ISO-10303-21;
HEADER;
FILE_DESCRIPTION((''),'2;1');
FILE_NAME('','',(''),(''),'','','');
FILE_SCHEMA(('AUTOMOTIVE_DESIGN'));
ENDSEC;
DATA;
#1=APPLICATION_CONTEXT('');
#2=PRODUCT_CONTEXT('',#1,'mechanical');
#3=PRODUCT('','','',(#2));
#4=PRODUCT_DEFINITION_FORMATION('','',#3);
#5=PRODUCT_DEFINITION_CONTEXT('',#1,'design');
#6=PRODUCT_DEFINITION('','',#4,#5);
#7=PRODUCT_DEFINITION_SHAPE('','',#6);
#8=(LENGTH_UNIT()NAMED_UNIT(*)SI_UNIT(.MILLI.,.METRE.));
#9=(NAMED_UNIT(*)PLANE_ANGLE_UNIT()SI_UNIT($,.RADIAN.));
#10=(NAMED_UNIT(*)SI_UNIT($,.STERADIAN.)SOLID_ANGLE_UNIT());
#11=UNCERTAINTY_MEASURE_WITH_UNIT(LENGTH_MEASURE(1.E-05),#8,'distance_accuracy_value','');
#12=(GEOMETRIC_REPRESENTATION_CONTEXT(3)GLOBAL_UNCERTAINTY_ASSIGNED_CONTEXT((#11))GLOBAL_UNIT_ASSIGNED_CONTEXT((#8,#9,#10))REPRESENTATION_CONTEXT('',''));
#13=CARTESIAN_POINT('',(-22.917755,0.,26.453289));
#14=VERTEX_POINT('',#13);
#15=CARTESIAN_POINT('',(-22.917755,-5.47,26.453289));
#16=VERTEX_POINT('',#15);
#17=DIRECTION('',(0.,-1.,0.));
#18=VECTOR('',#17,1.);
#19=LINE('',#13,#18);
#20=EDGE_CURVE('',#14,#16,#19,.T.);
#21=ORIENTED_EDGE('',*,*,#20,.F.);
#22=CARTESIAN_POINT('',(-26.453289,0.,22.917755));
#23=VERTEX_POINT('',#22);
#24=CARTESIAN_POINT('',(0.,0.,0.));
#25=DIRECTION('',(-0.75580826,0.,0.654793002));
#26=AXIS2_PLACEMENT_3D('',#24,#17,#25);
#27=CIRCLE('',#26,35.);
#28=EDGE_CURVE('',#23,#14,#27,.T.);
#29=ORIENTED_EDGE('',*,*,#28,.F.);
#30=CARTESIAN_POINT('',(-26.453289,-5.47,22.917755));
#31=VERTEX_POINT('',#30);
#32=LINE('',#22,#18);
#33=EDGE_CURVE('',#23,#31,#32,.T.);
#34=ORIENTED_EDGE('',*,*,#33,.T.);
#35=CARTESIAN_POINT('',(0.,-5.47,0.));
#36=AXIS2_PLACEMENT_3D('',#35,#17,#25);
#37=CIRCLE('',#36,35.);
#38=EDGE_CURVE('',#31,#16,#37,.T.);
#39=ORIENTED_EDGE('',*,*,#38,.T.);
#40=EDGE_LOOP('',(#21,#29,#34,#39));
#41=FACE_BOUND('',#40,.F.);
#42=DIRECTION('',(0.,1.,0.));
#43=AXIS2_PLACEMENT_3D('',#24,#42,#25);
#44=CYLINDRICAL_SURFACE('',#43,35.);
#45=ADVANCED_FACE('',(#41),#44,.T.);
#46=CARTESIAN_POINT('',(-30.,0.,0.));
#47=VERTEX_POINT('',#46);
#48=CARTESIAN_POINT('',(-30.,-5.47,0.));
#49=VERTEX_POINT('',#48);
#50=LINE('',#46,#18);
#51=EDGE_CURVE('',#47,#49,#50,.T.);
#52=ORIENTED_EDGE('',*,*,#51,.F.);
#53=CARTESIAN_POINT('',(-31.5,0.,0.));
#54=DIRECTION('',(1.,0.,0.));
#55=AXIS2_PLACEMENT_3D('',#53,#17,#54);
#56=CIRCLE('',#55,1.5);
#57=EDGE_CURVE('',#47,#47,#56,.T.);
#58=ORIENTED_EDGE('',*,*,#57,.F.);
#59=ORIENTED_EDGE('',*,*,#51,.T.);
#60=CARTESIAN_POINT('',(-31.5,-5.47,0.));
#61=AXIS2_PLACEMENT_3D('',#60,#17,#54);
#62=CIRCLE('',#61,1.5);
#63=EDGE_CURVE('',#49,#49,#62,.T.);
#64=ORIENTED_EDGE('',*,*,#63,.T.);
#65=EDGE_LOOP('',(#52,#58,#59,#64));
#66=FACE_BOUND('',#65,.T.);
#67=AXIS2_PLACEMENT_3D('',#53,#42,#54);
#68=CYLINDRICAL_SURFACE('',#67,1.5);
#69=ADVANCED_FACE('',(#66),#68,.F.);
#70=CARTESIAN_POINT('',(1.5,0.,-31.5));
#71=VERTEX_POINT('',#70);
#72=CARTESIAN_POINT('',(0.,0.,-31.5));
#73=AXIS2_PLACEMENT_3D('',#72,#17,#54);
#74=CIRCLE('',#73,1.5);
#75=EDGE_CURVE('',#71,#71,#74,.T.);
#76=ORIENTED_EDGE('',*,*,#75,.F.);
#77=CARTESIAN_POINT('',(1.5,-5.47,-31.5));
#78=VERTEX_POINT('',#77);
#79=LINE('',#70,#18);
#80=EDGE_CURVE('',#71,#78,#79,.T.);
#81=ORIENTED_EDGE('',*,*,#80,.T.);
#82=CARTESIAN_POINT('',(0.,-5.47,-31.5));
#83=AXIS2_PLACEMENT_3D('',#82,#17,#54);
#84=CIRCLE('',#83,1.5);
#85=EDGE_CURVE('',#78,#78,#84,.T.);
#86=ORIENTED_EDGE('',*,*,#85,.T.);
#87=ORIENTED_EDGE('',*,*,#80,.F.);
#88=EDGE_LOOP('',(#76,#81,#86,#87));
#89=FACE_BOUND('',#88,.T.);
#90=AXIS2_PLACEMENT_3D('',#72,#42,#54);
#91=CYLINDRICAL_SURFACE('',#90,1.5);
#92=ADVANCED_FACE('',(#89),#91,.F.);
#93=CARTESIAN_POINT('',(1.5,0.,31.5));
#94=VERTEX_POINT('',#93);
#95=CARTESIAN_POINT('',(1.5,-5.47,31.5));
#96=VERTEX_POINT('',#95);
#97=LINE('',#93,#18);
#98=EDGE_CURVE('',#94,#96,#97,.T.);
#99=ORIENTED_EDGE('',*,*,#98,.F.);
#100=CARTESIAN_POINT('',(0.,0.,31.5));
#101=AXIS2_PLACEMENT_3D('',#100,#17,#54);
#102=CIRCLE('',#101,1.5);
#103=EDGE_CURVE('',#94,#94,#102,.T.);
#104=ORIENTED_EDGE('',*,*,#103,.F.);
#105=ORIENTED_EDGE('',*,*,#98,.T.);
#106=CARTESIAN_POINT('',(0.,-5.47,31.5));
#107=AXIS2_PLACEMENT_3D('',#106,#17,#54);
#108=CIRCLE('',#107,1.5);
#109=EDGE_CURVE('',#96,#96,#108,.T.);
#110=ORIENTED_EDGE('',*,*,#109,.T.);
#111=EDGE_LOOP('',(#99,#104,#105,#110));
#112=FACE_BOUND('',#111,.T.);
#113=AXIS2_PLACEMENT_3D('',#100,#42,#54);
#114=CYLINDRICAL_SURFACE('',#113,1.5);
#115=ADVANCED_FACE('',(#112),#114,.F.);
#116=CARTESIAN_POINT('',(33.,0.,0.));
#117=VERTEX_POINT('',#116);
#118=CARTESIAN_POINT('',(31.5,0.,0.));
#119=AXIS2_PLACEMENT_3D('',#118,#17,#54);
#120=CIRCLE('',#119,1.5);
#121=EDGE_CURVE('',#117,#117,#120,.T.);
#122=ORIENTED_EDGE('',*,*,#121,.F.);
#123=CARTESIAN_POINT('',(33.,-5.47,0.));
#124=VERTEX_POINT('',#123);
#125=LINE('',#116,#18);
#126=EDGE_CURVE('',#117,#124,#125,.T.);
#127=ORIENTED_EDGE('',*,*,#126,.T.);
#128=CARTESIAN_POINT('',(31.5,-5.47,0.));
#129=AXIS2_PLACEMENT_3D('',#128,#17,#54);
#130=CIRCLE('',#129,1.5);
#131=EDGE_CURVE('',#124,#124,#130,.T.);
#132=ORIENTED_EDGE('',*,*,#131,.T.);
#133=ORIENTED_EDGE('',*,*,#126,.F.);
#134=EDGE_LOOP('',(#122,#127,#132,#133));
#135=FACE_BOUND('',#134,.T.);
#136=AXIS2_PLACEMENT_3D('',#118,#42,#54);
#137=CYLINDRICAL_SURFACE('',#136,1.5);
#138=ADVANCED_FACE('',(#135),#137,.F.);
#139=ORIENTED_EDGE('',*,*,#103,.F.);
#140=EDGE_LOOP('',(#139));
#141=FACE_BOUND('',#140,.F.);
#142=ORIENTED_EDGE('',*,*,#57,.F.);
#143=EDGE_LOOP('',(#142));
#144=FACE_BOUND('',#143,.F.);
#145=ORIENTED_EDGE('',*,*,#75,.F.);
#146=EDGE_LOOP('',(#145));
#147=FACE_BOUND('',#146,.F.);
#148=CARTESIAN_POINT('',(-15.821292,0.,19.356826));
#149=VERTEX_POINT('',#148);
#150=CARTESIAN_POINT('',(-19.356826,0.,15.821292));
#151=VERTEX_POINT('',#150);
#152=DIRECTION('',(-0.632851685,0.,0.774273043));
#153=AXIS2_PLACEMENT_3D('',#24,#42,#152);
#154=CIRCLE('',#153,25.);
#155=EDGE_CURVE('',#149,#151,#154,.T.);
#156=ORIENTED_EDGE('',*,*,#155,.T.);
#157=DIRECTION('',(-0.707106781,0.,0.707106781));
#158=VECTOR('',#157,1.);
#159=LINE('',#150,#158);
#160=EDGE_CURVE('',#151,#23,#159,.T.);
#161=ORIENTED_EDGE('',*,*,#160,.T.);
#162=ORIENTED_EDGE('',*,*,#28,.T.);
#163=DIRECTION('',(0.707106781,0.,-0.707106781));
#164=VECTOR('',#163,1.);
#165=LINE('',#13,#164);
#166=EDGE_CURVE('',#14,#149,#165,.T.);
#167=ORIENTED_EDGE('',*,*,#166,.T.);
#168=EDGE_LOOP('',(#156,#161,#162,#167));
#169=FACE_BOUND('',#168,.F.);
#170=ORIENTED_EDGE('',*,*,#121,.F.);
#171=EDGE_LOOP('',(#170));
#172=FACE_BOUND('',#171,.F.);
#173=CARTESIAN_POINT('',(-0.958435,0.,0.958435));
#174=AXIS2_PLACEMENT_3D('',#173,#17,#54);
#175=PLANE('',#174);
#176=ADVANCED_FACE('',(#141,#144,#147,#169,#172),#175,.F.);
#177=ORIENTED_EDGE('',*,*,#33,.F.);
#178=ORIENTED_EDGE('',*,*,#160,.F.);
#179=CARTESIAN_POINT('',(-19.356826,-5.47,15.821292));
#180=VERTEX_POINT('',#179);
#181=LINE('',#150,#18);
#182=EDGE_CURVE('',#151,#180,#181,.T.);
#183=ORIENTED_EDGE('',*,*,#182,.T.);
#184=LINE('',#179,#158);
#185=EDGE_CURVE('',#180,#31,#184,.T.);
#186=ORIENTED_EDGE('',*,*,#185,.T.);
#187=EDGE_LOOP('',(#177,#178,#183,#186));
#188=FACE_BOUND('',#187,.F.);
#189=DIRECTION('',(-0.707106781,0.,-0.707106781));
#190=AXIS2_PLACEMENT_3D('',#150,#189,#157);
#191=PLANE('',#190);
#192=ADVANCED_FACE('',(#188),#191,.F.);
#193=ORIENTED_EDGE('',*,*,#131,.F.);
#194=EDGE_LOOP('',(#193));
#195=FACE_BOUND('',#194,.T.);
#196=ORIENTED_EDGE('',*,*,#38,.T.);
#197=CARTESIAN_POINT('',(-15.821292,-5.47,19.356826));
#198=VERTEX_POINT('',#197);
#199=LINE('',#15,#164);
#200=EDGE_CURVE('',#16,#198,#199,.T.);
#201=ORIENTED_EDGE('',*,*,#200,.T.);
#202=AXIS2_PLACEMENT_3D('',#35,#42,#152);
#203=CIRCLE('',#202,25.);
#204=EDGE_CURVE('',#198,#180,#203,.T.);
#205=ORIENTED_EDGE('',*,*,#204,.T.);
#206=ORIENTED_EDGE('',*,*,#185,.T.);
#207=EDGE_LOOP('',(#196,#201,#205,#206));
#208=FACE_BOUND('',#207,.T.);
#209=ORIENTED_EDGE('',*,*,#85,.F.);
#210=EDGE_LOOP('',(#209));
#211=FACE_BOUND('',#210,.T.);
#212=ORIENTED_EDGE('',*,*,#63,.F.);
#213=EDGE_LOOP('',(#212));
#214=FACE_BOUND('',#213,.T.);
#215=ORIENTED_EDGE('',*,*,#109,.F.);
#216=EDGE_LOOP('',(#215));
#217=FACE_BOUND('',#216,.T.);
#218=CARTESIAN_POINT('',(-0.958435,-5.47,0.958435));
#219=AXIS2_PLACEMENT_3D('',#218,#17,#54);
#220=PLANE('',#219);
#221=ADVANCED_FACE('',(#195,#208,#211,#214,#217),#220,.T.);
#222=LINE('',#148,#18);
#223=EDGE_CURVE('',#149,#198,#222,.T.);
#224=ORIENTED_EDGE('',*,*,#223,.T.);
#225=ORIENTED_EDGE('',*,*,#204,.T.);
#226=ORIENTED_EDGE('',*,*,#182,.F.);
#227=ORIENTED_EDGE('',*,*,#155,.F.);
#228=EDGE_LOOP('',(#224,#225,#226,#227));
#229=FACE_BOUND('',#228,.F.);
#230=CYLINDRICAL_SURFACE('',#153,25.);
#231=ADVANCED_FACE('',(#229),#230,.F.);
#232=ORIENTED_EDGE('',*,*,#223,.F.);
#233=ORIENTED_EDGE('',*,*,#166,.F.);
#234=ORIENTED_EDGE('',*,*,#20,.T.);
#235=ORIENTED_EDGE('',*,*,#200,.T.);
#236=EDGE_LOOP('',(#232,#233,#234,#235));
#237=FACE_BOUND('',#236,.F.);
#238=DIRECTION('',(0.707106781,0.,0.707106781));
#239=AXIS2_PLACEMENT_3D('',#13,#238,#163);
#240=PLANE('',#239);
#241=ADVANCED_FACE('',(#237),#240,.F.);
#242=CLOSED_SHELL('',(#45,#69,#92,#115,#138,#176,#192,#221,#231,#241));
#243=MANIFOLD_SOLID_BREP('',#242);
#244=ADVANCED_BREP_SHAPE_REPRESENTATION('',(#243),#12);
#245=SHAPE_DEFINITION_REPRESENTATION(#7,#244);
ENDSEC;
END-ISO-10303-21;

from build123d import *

# Parameters (mm, degrees)
F0_R     = 1.5
F1_DEPTH = 5.47


with BuildPart() as f1:
    # F0 (on Front) → F1 (new body)
    with BuildSketch(Plane.XZ):
        with BuildLine():
            ThreePointArc((-15.821292, 19.356826), (17.67767, -17.67767), (-19.356826, 15.821292))
            Line((-19.356826, 15.821292), (-26.453289, 22.917755))
            ThreePointArc((-26.453289, 22.917755), (24.748737, -24.748737), (-22.917755, 26.453289))
            Line((-22.917755, 26.453289), (-15.821292, 19.356826))
        make_face()
        with Locations((0, -31.5)):
            Circle(F0_R, mode=Mode.SUBTRACT)
        with Locations((-31.5, 0)):
            Circle(F0_R, mode=Mode.SUBTRACT)
        with Locations((31.5, 0)):
            Circle(F0_R, mode=Mode.SUBTRACT)
        with Locations((0, 31.5)):
            Circle(F0_R, mode=Mode.SUBTRACT)
    extrude(amount=F1_DEPTH)


solid = f1.part
